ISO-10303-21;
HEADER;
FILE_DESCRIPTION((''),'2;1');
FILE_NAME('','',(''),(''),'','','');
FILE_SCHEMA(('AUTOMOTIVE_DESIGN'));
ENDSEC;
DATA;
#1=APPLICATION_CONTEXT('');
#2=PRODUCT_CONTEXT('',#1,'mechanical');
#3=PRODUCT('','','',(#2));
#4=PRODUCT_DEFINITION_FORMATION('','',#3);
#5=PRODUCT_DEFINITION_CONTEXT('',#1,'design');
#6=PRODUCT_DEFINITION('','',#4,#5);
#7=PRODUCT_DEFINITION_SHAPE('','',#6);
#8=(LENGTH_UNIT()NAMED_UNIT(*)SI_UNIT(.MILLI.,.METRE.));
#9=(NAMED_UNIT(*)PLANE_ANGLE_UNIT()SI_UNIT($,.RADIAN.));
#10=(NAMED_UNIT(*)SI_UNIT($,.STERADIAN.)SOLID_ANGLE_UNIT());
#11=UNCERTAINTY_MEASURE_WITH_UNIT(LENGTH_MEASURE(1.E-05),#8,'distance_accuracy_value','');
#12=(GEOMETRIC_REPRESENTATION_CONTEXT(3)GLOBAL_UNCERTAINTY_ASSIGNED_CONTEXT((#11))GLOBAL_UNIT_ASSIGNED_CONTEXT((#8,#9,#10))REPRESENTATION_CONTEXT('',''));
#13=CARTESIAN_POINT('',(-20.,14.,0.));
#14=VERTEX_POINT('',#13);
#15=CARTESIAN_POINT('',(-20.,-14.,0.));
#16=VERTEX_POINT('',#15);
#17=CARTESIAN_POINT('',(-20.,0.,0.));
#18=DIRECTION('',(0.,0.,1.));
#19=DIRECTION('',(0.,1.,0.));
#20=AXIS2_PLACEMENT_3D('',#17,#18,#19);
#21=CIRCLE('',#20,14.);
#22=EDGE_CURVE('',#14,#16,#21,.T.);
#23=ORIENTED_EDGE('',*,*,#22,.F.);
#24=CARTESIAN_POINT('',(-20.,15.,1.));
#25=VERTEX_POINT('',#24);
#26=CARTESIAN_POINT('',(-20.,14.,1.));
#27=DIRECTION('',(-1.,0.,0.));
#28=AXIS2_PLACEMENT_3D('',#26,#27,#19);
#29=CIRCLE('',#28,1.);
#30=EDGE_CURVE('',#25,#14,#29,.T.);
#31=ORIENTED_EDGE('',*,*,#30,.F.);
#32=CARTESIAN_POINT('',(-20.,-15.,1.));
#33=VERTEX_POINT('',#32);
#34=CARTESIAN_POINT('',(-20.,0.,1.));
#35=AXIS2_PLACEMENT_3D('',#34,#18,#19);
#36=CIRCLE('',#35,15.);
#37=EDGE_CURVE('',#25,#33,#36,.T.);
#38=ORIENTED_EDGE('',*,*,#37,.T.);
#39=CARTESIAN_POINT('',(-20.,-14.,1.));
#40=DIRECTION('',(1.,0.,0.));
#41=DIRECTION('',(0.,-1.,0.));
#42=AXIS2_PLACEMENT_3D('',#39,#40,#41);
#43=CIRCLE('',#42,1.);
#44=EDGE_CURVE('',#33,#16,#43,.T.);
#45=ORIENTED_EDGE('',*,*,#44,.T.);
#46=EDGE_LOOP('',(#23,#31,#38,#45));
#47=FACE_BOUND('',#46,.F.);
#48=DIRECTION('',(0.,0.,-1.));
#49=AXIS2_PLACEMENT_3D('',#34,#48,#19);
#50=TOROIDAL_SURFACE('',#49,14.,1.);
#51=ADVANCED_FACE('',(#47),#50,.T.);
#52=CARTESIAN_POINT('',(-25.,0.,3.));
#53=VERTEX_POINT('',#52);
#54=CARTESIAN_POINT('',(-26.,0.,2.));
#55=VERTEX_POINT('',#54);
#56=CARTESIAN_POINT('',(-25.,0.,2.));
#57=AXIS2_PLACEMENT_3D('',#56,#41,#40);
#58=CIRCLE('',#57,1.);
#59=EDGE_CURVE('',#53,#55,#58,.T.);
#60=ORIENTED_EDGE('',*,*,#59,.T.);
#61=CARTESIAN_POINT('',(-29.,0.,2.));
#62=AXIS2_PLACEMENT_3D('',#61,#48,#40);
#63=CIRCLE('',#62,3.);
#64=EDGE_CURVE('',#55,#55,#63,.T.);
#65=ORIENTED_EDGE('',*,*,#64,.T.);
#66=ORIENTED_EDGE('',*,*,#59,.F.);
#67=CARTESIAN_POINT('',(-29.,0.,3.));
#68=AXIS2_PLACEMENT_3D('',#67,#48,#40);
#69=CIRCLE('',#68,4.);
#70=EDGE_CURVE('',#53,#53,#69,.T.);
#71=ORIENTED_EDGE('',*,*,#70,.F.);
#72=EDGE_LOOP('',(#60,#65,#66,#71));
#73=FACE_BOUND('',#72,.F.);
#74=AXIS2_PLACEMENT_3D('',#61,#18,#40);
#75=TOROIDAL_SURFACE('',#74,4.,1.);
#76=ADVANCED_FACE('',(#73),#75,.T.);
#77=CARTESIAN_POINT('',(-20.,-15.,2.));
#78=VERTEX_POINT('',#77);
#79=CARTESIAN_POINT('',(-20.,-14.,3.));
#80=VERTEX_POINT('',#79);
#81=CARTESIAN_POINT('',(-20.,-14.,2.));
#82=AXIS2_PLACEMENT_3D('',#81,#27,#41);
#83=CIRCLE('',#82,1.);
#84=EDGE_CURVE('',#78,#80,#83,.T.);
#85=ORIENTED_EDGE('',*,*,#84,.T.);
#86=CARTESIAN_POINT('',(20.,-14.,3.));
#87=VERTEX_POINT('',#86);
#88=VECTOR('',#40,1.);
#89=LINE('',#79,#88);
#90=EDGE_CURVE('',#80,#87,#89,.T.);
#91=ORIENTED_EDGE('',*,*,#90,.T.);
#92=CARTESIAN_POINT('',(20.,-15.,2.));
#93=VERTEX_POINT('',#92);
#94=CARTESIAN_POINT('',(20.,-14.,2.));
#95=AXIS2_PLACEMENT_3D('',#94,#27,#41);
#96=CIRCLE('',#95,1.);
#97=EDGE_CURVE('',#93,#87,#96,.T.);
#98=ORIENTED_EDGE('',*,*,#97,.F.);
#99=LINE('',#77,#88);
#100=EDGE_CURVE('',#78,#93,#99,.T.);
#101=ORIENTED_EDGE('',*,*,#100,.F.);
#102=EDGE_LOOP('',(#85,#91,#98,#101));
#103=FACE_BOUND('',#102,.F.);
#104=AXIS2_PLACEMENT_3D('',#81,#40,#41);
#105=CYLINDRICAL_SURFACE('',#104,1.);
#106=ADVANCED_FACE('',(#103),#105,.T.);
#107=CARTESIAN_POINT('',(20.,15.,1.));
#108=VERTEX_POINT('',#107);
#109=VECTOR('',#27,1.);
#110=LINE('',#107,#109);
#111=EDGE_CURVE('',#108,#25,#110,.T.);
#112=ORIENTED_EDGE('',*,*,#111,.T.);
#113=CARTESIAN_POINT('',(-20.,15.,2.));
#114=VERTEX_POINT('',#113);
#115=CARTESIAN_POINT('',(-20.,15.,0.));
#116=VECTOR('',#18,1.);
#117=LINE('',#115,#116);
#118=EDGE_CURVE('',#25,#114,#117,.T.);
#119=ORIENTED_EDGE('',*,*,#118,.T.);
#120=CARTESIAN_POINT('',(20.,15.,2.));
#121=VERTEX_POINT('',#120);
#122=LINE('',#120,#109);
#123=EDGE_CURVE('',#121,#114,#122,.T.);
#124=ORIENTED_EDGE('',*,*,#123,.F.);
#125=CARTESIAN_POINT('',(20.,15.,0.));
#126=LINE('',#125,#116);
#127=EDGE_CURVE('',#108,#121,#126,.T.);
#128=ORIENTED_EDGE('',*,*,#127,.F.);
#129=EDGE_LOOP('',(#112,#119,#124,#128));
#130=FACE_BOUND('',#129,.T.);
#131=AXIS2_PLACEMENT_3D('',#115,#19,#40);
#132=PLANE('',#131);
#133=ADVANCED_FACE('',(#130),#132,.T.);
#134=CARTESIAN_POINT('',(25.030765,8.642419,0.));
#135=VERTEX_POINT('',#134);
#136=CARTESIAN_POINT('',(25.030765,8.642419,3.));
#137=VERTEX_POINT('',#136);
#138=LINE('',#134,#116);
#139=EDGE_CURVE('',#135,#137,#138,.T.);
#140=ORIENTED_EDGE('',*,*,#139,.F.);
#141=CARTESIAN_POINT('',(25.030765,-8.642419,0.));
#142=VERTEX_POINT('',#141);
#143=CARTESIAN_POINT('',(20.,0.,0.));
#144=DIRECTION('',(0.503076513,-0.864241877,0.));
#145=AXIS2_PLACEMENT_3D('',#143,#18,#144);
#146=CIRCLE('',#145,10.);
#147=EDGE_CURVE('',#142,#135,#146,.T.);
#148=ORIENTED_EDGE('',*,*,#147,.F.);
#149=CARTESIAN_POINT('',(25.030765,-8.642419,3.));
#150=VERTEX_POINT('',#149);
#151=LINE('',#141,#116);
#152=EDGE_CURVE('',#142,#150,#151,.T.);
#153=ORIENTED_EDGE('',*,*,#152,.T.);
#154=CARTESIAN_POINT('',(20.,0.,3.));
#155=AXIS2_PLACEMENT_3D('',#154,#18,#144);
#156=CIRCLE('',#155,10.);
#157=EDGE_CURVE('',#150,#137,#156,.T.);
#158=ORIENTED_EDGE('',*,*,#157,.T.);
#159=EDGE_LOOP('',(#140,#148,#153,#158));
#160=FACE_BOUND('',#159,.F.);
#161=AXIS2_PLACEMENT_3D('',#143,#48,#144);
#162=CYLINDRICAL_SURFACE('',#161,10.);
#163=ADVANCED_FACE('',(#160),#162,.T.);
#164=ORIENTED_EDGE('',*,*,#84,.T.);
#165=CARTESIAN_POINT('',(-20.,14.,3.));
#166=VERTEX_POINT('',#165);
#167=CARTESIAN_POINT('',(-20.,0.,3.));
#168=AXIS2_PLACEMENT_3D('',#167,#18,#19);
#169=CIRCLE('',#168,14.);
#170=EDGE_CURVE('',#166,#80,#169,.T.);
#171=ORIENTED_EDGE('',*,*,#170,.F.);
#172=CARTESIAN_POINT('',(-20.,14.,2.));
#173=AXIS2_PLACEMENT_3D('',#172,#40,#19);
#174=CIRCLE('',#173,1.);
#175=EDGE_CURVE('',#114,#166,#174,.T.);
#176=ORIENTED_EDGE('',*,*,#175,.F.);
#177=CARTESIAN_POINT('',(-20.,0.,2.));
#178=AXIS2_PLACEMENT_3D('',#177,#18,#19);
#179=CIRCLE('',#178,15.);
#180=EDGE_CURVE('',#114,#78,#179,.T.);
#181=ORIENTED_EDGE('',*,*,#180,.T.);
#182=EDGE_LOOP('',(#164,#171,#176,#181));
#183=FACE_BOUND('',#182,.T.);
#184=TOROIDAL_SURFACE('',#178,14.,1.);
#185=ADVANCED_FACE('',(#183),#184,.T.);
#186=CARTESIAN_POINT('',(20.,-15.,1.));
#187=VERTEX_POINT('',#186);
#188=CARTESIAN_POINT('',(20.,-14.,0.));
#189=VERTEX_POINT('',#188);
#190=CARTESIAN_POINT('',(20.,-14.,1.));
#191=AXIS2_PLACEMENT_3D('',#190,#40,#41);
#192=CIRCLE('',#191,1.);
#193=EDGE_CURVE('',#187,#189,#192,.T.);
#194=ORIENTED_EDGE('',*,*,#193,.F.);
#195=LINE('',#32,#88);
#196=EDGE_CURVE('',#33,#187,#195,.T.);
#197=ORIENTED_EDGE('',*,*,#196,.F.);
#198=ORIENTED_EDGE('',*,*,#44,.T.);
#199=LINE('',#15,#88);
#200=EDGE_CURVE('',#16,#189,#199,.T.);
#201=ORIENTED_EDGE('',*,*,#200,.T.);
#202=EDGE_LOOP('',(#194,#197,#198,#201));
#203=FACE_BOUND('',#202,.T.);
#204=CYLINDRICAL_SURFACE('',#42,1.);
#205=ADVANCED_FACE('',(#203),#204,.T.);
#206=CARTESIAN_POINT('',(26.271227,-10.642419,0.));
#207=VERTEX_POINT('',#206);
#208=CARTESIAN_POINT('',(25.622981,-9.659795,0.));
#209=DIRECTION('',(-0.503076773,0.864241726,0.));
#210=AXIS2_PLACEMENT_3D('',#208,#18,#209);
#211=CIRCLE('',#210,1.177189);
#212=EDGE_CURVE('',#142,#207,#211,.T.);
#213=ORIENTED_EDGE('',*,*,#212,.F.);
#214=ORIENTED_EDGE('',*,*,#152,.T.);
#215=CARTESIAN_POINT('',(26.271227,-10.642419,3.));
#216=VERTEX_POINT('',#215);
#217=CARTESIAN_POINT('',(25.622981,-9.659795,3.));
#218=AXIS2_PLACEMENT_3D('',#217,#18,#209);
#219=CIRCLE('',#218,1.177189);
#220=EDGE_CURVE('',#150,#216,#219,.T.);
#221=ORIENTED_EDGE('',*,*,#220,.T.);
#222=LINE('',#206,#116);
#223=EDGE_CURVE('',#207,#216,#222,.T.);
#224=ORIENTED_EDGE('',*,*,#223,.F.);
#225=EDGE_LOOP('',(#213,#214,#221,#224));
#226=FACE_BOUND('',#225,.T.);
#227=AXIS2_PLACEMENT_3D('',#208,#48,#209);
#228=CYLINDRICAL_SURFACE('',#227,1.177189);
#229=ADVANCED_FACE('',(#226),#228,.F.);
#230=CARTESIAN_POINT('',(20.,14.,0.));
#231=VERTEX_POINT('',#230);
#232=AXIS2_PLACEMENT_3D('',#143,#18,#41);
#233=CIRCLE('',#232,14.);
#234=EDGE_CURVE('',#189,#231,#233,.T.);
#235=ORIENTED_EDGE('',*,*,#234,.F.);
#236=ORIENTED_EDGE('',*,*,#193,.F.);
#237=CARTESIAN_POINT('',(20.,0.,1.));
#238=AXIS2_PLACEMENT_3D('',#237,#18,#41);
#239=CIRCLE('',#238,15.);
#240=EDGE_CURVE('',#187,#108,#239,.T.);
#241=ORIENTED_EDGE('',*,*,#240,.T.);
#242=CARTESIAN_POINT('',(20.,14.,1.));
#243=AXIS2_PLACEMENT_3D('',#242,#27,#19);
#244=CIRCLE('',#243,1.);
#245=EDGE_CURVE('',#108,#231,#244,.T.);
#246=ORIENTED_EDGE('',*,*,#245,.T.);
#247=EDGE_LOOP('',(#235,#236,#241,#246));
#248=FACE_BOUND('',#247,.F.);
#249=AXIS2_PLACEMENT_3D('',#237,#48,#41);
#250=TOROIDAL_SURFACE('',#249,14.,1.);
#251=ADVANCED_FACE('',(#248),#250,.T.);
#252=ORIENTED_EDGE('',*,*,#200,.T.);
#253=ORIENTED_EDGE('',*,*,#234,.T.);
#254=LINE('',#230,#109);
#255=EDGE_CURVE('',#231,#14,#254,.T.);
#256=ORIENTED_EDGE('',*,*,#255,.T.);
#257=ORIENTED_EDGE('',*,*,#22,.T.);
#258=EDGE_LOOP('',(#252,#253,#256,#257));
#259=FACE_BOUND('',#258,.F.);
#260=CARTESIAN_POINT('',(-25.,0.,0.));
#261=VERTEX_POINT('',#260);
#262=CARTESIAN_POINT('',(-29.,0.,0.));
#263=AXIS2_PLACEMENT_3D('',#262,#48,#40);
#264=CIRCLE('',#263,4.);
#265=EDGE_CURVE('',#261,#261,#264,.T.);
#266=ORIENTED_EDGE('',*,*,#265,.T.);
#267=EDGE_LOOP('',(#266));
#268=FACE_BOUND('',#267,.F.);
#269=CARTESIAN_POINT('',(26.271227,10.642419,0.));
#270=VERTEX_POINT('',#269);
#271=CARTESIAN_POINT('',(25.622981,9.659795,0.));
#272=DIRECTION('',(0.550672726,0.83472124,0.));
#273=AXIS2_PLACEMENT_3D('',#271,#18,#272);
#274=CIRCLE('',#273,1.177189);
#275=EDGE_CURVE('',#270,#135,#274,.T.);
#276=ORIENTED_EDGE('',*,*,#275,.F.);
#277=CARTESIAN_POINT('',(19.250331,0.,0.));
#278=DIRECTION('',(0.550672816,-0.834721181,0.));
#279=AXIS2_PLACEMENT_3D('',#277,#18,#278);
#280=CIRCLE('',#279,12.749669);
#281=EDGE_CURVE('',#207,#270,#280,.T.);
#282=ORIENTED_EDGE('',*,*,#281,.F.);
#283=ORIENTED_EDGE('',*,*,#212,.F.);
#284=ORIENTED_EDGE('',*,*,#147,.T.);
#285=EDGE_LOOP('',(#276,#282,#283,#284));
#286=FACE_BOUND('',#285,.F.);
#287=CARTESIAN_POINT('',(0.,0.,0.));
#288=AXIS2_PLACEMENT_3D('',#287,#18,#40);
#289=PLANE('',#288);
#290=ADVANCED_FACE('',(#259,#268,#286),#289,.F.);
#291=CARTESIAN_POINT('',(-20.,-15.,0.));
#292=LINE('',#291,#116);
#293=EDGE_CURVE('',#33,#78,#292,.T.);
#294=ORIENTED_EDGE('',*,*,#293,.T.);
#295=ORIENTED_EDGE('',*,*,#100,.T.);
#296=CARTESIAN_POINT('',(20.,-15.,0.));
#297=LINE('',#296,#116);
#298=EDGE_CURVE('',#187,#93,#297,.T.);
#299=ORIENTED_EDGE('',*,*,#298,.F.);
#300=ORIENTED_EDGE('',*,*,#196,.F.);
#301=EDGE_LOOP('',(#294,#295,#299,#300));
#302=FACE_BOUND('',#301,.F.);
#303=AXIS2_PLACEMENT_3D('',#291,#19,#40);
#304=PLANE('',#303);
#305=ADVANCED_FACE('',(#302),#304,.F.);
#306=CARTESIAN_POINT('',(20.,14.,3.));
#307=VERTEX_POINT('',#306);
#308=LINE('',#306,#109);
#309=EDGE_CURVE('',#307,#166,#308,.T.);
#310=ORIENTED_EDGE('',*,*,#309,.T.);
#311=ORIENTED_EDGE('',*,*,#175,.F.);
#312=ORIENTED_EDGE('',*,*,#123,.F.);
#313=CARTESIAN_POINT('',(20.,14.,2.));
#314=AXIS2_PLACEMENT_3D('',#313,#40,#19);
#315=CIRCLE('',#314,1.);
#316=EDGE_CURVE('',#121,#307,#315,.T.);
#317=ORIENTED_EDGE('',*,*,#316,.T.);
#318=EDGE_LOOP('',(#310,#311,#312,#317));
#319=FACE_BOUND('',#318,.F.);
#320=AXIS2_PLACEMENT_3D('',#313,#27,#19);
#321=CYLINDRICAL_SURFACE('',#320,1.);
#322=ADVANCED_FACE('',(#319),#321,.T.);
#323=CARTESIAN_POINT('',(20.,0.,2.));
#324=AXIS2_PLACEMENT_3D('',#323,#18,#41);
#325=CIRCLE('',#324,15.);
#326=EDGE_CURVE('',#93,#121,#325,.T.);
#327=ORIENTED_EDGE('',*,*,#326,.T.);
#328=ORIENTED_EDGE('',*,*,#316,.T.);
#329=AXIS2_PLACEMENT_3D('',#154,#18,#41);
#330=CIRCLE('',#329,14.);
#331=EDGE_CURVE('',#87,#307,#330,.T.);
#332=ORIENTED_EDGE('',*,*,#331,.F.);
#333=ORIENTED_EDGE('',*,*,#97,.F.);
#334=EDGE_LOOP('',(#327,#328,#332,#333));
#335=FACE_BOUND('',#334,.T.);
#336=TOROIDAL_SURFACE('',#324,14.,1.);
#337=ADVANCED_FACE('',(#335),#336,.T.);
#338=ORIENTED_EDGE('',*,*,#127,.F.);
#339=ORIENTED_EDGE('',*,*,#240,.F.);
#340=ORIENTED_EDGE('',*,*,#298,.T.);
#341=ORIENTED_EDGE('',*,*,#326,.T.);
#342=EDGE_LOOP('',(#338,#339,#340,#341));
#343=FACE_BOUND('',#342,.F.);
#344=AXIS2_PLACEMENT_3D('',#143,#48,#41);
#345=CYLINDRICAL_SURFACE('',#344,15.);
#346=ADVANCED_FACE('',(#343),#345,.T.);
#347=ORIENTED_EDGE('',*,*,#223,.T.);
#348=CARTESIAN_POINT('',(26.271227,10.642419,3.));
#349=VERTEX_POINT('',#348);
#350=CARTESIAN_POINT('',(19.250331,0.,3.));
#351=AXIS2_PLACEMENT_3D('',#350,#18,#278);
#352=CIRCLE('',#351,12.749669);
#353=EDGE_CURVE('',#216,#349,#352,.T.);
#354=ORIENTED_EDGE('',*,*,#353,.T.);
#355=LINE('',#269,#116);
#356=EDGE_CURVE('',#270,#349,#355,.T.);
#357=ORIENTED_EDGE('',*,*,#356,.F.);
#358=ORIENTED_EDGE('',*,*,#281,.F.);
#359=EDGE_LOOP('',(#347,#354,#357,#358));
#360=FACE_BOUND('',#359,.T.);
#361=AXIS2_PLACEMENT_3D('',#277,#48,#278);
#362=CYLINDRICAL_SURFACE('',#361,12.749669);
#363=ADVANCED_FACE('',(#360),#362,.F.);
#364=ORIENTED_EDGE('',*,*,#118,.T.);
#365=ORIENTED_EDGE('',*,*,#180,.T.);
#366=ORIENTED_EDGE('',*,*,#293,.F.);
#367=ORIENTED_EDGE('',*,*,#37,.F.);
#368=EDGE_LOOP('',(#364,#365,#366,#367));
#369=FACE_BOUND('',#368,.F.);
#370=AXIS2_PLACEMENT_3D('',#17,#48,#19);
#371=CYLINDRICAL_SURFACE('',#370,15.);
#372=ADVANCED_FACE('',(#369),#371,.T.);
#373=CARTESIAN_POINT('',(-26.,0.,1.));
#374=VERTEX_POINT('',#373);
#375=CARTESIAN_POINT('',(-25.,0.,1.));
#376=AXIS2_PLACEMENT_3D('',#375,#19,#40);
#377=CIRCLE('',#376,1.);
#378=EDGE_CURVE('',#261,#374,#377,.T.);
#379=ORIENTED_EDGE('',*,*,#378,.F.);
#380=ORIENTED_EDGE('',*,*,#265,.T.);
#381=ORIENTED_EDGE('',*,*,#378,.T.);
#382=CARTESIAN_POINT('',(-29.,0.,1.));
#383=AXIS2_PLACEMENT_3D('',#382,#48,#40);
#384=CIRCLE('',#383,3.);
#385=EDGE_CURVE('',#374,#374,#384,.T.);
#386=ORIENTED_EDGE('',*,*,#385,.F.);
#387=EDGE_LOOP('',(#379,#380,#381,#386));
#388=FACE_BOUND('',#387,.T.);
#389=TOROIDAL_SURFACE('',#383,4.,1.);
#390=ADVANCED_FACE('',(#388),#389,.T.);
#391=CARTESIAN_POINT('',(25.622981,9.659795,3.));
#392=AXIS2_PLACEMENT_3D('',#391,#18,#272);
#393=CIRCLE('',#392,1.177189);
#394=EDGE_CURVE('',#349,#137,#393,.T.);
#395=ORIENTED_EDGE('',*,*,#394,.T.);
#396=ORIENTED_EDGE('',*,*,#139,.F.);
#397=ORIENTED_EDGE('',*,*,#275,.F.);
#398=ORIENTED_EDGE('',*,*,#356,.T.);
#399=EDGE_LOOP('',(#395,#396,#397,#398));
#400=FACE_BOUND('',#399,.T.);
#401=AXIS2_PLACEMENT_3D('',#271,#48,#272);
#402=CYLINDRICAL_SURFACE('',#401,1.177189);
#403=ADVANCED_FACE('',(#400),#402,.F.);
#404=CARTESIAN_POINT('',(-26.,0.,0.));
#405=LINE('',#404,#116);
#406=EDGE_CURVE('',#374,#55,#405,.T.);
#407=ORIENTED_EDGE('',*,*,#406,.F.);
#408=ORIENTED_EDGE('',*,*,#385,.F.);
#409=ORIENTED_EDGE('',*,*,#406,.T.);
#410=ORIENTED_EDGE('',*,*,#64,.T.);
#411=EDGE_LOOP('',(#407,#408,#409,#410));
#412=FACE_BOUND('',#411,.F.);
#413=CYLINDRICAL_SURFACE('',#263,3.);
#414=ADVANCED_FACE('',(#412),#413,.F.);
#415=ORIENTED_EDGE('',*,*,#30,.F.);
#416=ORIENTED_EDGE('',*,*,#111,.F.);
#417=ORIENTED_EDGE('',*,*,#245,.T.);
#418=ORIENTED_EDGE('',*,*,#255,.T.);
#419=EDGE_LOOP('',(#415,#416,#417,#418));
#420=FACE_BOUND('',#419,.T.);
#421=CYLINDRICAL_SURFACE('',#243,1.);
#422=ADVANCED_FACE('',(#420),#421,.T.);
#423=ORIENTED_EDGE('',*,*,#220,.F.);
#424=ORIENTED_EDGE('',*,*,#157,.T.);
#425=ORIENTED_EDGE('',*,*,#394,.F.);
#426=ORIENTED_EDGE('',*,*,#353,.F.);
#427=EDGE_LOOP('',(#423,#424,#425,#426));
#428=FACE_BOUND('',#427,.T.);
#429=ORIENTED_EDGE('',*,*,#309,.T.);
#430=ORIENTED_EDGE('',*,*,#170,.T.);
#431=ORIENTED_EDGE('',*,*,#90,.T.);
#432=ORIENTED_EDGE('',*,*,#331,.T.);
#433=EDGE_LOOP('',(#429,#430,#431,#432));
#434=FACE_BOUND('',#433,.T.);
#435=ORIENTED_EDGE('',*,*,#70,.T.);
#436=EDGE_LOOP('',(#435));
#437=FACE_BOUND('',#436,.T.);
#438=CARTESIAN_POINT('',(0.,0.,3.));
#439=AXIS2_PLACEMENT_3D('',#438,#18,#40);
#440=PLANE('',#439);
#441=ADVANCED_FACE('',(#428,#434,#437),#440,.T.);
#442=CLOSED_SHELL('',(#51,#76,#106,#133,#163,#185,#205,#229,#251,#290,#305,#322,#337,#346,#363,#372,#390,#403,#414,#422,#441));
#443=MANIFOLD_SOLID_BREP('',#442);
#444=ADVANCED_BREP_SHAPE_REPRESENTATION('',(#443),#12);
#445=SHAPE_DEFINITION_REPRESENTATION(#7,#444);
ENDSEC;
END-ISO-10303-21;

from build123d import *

# Parameters (mm, degrees)
PAD_DEPTH    = 3
FILLET_R     = 1
SKETCH002_R  = 3
POCKET_DEPTH = 3.001
FILLET002_R  = 1


with BuildPart() as part:
    # Sketch → Pad (new body)
    with BuildSketch(Plane.XY):
        with BuildLine():
            ThreePointArc((-20, 15), (-35, 0), (-20, -15))
            Line((-20, -15), (20, -15))
            ThreePointArc((20, -15), (35, 0), (20, 15))
            Line((-20, 15), (20, 15))
        make_face()
        with BuildLine():
            ThreePointArc((26.271227, -10.642419), (32, 0), (26.271227, 10.642419))
            ThreePointArc((26.271227, 10.642419), (24.622589, 10.280269), (25.030765, 8.642419))
            ThreePointArc((25.030765, -8.642419), (30, 0), (25.030765, 8.642419))
            ThreePointArc((25.030765, -8.642419), (24.622589, -10.280269), (26.271227, -10.642419))
        make_face(mode=Mode.SUBTRACT)
    extrude(amount=PAD_DEPTH)

    # Fillet
    fillet_edges = [part.edges().sort_by_distance(p)[0] for p in [
        (0, -15, 3),
        (-35, 0, 0),
    ]]
    fillet(fillet_edges, radius=FILLET_R)

    # Sketch002 → Pocket (cut, through all)
    with BuildSketch(Plane(origin=(0, 0, 0), x_dir=(1, 0, 0), z_dir=(0, 0, -1))):
        with Locations((-29, 0)):
            Circle(SKETCH002_R)
    extrude(amount=-POCKET_DEPTH, mode=Mode.SUBTRACT)

    # Fillet002
    fillet002_edges = [part.edges().sort_by_distance(p)[0] for p in [
        (-32, 0, 3),
        (-32, 0, 0),
    ]]
    fillet(fillet002_edges, radius=FILLET002_R)


solid = part.part
